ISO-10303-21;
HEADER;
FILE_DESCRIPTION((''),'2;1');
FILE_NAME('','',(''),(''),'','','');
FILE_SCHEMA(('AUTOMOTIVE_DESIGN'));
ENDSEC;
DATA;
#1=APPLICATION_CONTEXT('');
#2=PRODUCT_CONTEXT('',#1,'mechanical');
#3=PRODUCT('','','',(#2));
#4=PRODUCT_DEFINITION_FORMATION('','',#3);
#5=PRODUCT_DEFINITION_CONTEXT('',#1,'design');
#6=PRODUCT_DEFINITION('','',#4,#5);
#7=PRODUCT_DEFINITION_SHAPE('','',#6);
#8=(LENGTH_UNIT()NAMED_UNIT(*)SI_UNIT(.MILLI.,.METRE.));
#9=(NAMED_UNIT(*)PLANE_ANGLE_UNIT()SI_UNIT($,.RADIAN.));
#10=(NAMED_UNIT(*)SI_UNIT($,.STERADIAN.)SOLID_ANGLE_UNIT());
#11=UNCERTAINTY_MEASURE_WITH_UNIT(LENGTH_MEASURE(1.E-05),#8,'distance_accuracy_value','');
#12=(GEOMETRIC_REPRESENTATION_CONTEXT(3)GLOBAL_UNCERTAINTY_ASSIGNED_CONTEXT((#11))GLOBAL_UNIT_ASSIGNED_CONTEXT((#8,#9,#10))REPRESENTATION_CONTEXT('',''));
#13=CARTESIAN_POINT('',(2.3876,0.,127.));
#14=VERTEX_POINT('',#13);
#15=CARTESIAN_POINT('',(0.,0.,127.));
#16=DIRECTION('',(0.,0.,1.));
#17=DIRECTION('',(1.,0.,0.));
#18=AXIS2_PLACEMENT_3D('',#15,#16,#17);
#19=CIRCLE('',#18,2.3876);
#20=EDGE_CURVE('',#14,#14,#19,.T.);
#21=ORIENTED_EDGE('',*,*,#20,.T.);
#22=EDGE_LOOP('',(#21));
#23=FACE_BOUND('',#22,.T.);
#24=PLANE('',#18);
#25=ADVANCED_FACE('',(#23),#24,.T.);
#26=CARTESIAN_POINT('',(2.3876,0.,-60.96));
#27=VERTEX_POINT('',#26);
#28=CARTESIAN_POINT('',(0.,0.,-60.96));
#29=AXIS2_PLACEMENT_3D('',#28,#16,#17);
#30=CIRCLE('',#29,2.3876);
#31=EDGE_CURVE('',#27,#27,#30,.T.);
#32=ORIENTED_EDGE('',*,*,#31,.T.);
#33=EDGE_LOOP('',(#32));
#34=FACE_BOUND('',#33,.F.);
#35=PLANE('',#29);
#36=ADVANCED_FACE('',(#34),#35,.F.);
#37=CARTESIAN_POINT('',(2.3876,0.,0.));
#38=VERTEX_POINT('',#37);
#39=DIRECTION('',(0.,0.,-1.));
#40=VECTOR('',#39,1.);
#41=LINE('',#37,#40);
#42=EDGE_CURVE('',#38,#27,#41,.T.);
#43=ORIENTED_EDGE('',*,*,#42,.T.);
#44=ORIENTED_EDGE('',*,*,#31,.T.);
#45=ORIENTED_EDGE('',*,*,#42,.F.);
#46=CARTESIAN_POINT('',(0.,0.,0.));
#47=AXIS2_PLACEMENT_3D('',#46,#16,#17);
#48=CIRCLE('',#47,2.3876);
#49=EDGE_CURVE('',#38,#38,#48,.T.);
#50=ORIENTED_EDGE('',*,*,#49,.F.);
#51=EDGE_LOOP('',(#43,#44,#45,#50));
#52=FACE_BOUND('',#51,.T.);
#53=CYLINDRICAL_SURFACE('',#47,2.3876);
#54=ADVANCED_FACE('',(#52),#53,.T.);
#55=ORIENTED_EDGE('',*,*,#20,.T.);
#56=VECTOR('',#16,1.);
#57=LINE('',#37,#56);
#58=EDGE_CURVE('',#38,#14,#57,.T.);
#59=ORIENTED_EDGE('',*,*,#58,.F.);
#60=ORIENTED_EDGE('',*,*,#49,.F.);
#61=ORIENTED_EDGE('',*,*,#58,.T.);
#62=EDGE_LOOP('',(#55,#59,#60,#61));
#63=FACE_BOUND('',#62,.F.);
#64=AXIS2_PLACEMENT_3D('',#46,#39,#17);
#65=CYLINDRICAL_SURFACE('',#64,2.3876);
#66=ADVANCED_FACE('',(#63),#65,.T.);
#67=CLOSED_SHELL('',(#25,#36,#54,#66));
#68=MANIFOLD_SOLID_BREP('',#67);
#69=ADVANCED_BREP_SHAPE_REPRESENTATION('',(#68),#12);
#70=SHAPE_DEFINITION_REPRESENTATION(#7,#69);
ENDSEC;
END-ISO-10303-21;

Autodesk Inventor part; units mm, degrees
ref_plane "YZ Plane" through (0, 0, 0) normal (1, 0, 0) x (0, 1, 0)
ref_plane "XZ Plane" through (0, 0, 0) normal (0, 1, 0) x (-1, 0, 0)
ref_plane "XY Plane" through (0, 0, 0) normal (0, 0, 1) x (1, 0, 0)
sketch "Sketch1" plane through (0, 0, 0) normal (0, 0, 1) x (1, 0, 0)
  circle A0 centre (0, 0) radius 2.3876
  dimension "d0" = 4.7752
extrude "Extrusion1" add sketch "Sketch1" along normal blind 127 and the other way blind 60.96
properties part number "6InchAx"
